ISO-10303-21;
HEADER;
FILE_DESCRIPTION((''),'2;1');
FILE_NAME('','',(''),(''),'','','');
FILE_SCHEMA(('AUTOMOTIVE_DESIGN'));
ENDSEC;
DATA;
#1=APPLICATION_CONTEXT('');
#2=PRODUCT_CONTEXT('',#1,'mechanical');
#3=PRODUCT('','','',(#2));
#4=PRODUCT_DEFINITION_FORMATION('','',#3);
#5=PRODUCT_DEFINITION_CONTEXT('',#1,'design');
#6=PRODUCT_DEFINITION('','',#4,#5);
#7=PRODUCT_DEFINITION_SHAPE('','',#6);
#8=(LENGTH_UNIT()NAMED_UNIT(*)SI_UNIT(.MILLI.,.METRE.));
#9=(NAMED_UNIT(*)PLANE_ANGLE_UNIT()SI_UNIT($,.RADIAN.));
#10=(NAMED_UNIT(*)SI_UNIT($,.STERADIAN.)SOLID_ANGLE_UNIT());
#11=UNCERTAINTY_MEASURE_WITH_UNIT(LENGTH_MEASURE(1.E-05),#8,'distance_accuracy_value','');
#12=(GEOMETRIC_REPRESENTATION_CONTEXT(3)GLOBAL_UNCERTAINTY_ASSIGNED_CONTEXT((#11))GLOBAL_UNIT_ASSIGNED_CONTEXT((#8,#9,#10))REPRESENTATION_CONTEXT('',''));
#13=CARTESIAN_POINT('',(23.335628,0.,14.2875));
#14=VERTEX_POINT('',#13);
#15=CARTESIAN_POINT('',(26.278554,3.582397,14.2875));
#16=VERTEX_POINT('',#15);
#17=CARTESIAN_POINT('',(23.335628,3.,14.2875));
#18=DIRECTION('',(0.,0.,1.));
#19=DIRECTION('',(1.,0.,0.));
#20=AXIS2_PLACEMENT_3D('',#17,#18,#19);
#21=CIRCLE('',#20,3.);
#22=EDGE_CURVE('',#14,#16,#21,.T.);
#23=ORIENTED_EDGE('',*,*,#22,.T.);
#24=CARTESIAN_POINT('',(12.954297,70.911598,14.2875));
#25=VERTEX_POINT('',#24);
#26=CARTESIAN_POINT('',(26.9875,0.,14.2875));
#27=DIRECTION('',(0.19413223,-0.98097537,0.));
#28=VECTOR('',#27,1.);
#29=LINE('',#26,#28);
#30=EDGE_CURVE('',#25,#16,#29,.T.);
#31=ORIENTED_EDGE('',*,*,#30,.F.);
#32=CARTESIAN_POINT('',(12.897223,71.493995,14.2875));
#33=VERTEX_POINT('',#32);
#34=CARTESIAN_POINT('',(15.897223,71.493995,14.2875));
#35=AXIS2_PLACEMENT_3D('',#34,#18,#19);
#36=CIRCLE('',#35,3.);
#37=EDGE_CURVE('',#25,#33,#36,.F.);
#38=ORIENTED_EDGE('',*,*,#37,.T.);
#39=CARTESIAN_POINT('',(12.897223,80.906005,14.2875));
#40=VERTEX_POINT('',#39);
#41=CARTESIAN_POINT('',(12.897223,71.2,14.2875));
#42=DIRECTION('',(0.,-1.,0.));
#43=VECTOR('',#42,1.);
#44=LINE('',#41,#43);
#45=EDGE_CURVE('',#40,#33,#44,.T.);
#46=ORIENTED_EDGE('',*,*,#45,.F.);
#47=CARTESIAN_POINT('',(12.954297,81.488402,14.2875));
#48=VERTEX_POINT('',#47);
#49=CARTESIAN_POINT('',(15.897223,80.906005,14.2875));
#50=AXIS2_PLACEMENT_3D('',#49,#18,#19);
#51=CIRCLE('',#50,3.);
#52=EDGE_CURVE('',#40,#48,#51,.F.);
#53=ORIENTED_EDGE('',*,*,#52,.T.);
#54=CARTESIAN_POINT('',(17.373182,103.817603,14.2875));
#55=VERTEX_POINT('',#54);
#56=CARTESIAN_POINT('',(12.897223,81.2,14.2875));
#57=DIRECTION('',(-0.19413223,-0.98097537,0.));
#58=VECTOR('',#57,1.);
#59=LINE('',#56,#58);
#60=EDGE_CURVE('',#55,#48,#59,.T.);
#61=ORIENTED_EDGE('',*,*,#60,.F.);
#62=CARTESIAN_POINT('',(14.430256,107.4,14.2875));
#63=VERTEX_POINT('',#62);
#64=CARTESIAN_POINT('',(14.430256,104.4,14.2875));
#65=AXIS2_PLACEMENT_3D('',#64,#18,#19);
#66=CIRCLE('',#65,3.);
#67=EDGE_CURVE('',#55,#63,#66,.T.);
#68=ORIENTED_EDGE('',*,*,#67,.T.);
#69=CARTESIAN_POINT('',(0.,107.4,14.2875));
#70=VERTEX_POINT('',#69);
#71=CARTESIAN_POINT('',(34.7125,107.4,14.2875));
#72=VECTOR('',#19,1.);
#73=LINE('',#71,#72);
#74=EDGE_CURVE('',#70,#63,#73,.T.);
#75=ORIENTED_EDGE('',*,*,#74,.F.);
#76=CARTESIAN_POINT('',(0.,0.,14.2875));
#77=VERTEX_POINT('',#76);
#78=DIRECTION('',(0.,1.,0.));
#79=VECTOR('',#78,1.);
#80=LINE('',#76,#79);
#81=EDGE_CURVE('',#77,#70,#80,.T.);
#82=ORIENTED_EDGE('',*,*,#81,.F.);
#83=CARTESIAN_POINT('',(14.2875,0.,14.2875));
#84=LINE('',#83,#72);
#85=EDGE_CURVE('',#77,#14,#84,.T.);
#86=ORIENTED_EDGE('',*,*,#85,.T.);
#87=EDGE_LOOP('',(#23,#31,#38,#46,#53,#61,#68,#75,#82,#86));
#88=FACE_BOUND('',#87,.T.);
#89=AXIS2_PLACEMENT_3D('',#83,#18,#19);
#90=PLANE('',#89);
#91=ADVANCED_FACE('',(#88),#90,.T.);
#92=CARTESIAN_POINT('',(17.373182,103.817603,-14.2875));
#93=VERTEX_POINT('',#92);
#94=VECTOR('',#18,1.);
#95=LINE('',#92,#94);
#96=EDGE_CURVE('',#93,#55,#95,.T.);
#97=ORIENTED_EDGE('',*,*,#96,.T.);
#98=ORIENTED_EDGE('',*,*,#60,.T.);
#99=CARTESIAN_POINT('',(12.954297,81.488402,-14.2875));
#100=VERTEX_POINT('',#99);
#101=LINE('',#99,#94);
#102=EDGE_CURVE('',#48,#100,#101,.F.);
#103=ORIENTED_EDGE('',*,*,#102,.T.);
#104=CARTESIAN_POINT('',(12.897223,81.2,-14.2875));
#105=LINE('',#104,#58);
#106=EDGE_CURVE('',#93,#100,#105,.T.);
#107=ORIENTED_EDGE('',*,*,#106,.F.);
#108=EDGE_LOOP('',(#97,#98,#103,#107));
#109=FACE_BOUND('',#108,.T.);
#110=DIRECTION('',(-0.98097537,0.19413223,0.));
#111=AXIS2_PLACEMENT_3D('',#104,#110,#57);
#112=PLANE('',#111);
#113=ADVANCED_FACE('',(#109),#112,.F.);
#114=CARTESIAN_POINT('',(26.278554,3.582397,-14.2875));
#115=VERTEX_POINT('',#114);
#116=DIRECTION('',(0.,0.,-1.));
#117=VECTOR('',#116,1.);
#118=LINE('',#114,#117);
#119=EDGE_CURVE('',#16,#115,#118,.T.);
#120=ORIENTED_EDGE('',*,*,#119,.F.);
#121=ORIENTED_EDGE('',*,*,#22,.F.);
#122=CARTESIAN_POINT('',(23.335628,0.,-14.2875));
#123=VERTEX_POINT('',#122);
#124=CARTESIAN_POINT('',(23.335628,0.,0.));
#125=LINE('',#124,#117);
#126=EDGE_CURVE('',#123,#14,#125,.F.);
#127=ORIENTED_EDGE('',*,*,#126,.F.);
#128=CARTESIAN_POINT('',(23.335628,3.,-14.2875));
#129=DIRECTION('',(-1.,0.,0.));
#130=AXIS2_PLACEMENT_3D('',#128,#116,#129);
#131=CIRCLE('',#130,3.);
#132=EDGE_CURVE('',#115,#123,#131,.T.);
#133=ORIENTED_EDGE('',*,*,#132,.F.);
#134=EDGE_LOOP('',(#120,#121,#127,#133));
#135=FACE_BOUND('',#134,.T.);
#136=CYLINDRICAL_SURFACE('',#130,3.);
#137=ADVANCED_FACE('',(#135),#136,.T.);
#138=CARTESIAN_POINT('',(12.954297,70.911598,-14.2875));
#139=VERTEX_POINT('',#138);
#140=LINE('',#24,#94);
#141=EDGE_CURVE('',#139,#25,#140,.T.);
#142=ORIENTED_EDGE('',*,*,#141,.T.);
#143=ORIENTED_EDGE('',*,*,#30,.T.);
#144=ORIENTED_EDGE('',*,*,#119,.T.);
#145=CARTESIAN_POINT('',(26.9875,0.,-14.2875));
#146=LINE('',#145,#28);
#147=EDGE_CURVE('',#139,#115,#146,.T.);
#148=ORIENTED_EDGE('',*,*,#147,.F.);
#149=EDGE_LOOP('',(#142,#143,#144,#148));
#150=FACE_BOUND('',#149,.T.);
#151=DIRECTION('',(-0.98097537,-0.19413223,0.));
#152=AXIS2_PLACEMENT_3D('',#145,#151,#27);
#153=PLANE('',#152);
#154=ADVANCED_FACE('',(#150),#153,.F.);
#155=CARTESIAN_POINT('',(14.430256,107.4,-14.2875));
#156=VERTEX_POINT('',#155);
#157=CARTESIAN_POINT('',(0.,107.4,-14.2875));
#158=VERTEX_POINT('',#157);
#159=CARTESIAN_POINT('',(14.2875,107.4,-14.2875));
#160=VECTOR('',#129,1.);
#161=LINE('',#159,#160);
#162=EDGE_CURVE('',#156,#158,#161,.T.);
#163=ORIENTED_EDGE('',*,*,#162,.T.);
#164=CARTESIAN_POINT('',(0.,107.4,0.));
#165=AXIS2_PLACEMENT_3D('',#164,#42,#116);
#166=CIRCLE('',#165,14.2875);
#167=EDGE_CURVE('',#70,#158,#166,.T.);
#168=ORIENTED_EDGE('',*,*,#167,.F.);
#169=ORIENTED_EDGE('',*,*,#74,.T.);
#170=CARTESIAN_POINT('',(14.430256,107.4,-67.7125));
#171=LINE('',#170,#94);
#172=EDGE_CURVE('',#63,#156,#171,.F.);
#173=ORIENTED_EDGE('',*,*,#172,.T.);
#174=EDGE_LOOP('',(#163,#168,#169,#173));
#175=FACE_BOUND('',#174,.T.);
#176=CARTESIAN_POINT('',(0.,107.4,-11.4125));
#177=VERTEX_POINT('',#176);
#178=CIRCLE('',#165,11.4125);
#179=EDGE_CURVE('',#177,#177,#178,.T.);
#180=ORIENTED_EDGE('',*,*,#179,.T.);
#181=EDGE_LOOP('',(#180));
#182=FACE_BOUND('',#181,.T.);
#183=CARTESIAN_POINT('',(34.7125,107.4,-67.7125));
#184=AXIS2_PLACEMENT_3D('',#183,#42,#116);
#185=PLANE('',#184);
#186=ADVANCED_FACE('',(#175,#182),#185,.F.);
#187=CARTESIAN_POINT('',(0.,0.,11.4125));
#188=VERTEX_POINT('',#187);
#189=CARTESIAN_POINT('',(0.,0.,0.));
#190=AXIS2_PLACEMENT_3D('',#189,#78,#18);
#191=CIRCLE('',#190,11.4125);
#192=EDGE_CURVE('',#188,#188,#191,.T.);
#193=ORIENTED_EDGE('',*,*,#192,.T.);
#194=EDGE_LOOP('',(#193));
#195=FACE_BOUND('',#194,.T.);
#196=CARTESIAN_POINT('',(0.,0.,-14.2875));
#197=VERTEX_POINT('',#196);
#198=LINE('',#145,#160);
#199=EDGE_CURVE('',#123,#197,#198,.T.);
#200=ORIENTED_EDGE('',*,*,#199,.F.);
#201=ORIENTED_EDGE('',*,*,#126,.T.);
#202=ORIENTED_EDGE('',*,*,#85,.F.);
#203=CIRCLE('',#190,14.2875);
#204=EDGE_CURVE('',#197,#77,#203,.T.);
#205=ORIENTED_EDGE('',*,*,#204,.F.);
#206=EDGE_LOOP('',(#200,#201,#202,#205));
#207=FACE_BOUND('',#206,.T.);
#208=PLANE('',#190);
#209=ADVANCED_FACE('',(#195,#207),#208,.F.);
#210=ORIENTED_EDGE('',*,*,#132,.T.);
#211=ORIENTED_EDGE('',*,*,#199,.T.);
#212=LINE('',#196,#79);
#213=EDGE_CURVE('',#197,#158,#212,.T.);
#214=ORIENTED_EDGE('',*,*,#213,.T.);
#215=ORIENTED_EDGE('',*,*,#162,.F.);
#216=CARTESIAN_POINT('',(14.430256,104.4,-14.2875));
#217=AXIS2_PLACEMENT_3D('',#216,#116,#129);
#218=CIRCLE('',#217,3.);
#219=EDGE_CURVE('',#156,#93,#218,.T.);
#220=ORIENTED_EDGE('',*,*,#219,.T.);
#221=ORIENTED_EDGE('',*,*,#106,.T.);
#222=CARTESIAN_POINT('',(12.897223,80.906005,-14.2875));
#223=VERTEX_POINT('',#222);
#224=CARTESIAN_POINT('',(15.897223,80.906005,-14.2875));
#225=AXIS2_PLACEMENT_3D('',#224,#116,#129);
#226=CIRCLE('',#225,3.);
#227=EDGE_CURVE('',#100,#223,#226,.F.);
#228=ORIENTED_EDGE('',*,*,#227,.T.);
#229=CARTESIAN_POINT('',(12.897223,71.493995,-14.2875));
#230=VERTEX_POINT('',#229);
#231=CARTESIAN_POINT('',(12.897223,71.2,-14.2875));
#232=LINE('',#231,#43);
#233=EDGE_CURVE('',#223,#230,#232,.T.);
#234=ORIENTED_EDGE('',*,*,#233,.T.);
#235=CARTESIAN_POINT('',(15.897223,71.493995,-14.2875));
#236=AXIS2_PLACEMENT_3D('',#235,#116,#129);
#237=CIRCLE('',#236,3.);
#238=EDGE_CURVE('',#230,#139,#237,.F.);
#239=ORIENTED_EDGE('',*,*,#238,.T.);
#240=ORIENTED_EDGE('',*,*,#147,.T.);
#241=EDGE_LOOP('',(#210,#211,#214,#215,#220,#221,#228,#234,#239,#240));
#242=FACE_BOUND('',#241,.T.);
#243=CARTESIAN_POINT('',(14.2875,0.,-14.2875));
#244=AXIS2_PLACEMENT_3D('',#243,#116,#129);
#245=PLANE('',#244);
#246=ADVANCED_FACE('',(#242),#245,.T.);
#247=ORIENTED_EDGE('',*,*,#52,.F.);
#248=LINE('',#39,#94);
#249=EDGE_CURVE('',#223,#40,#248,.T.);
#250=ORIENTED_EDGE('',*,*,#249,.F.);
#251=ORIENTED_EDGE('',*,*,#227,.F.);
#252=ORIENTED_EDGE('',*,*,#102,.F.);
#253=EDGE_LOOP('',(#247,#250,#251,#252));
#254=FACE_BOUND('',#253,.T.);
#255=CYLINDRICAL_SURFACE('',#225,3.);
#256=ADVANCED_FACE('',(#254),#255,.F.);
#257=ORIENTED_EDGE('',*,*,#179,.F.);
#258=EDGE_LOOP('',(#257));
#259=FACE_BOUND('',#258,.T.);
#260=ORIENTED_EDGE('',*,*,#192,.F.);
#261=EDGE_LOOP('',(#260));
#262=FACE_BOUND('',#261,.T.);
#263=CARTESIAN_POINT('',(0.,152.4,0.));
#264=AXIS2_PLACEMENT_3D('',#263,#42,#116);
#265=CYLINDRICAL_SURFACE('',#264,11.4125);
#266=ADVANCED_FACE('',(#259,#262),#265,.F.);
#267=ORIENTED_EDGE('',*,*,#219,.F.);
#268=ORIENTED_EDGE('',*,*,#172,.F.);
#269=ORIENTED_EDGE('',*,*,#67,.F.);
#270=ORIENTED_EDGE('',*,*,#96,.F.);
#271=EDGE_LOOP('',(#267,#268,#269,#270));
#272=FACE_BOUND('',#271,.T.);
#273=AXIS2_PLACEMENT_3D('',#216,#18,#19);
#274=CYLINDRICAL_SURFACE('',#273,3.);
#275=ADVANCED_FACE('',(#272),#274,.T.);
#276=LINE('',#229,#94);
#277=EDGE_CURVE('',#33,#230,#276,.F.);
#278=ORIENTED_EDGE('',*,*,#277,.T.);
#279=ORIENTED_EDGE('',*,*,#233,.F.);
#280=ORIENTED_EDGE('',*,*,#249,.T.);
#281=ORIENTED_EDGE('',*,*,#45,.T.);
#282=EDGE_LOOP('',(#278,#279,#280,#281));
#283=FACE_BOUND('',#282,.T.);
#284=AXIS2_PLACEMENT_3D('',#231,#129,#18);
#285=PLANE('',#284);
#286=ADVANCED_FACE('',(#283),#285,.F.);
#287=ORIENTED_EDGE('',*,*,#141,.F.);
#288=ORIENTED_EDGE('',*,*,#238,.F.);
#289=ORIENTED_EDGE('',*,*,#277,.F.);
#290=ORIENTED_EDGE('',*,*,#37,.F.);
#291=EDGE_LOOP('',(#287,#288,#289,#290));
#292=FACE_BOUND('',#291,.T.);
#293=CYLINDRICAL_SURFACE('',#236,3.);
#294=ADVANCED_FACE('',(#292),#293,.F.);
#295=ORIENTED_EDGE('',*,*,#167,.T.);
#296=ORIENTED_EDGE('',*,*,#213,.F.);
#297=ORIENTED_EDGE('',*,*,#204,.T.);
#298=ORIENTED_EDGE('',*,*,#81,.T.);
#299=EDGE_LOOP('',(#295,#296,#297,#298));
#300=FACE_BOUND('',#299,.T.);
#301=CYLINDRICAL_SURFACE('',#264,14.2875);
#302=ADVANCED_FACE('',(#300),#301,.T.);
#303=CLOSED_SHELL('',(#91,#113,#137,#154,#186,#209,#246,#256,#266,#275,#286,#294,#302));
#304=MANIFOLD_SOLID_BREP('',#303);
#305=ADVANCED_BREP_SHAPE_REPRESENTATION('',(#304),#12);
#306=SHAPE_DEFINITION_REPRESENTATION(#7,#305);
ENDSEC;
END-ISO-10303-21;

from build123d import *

# Parameters (mm, degrees)
SKETCH1_R           = 14.2875
SKETCH1_R_2         = 11.4125
BOSS_EXTRUDE1_DEPTH = 152.4
SKETCH2_W           = 28.575
SKETCH2_H           = 152.4
BOSS_EXTRUDE2_DEPTH = 12.7
BOSS_EXTRUDE3_DEPTH = 152.4
CUT_EXTRUDE1_DEPTH  = 29.575
FILLET1_R           = 3
SKETCH6_W           = 50
SKETCH6_H           = 45
CUT_EXTRUDE2_DEPTH  = 82
FILLET2_R           = 3


with BuildPart() as part:
    # Sketch1 → Boss-Extrude1 (new body)
    with BuildSketch(Plane(origin=(0, 0, 0), x_dir=(1, 0, 0), z_dir=(0, 1, 0))):
        Circle(SKETCH1_R)
        Circle(SKETCH1_R_2, mode=Mode.SUBTRACT)
    extrude(amount=BOSS_EXTRUDE1_DEPTH)



with BuildPart() as body_2:
    # Sketch2 → Boss-Extrude2 (new body)
    with BuildSketch(Plane(origin=(14.2875, 0, 0), x_dir=(0, 0, -1), z_dir=(1, 0, 0))):
        with Locations((0, 76.2)):
            Rectangle(SKETCH2_W, SKETCH2_H)
    extrude(amount=BOSS_EXTRUDE2_DEPTH)


with BuildPart() as part_1:
    add(part.part)

    add(body_2.part)  # Boss-Extrude3 merges body 2
    # Sketch3 → Boss-Extrude3 (add, through all)
    with BuildSketch(Plane(origin=(0, 152.4, 0), x_dir=(1, 0, 0), z_dir=(0, 1, 0))):
        with BuildLine():
            Line((14.2875, -14.2875), (0, -14.2875))
            ThreePointArc((0, -14.2875), (14.2875, 0), (0, 14.2875))
            Line((0, 14.2875), (14.2875, 14.2875))
            Line((14.2875, 14.2875), (26.9875, 14.2875))
            Line((26.9875, 14.2875), (26.9875, -14.2875))
            Line((26.9875, -14.2875), (14.2875, -14.2875))
        make_face()
    extrude(amount=-BOSS_EXTRUDE3_DEPTH)

    # Sketch5 → Cut-Extrude1 (cut, through all)
    with BuildSketch(Plane.XY.offset(14.2875)):
        Polygon((26.9875, 0), (12.897222949, 71.2), (12.897222949, 81.2), (26.9875, 152.4), align=None)
    extrude(amount=-CUT_EXTRUDE1_DEPTH, mode=Mode.SUBTRACT)

    # Fillet1
    fillet1_edges = [part_1.edges().sort_by_distance(p)[0] for p in [
        (26.9875, 0, 0),
        (26.9875, 152.4, 0),
        (12.897222949, 71.2, 0),
        (12.897222949, 81.2, 0),
    ]]
    fillet(fillet1_edges, radius=FILLET1_R)

    # Sketch6 → Cut-Extrude2 (cut)
    with BuildSketch(Plane.XY.offset(14.2875)):
        with Locations((9.7125, 129.9)):
            Rectangle(SKETCH6_W, SKETCH6_H)
    extrude(amount=-CUT_EXTRUDE2_DEPTH, mode=Mode.SUBTRACT)

    # Fillet2
    fillet2_edges = [part_1.edges().sort_by_distance(p)[0] for p in [
        (18.082128268, 107.4, 0),
    ]]
    fillet(fillet2_edges, radius=FILLET2_R)


solid = part_1.part
